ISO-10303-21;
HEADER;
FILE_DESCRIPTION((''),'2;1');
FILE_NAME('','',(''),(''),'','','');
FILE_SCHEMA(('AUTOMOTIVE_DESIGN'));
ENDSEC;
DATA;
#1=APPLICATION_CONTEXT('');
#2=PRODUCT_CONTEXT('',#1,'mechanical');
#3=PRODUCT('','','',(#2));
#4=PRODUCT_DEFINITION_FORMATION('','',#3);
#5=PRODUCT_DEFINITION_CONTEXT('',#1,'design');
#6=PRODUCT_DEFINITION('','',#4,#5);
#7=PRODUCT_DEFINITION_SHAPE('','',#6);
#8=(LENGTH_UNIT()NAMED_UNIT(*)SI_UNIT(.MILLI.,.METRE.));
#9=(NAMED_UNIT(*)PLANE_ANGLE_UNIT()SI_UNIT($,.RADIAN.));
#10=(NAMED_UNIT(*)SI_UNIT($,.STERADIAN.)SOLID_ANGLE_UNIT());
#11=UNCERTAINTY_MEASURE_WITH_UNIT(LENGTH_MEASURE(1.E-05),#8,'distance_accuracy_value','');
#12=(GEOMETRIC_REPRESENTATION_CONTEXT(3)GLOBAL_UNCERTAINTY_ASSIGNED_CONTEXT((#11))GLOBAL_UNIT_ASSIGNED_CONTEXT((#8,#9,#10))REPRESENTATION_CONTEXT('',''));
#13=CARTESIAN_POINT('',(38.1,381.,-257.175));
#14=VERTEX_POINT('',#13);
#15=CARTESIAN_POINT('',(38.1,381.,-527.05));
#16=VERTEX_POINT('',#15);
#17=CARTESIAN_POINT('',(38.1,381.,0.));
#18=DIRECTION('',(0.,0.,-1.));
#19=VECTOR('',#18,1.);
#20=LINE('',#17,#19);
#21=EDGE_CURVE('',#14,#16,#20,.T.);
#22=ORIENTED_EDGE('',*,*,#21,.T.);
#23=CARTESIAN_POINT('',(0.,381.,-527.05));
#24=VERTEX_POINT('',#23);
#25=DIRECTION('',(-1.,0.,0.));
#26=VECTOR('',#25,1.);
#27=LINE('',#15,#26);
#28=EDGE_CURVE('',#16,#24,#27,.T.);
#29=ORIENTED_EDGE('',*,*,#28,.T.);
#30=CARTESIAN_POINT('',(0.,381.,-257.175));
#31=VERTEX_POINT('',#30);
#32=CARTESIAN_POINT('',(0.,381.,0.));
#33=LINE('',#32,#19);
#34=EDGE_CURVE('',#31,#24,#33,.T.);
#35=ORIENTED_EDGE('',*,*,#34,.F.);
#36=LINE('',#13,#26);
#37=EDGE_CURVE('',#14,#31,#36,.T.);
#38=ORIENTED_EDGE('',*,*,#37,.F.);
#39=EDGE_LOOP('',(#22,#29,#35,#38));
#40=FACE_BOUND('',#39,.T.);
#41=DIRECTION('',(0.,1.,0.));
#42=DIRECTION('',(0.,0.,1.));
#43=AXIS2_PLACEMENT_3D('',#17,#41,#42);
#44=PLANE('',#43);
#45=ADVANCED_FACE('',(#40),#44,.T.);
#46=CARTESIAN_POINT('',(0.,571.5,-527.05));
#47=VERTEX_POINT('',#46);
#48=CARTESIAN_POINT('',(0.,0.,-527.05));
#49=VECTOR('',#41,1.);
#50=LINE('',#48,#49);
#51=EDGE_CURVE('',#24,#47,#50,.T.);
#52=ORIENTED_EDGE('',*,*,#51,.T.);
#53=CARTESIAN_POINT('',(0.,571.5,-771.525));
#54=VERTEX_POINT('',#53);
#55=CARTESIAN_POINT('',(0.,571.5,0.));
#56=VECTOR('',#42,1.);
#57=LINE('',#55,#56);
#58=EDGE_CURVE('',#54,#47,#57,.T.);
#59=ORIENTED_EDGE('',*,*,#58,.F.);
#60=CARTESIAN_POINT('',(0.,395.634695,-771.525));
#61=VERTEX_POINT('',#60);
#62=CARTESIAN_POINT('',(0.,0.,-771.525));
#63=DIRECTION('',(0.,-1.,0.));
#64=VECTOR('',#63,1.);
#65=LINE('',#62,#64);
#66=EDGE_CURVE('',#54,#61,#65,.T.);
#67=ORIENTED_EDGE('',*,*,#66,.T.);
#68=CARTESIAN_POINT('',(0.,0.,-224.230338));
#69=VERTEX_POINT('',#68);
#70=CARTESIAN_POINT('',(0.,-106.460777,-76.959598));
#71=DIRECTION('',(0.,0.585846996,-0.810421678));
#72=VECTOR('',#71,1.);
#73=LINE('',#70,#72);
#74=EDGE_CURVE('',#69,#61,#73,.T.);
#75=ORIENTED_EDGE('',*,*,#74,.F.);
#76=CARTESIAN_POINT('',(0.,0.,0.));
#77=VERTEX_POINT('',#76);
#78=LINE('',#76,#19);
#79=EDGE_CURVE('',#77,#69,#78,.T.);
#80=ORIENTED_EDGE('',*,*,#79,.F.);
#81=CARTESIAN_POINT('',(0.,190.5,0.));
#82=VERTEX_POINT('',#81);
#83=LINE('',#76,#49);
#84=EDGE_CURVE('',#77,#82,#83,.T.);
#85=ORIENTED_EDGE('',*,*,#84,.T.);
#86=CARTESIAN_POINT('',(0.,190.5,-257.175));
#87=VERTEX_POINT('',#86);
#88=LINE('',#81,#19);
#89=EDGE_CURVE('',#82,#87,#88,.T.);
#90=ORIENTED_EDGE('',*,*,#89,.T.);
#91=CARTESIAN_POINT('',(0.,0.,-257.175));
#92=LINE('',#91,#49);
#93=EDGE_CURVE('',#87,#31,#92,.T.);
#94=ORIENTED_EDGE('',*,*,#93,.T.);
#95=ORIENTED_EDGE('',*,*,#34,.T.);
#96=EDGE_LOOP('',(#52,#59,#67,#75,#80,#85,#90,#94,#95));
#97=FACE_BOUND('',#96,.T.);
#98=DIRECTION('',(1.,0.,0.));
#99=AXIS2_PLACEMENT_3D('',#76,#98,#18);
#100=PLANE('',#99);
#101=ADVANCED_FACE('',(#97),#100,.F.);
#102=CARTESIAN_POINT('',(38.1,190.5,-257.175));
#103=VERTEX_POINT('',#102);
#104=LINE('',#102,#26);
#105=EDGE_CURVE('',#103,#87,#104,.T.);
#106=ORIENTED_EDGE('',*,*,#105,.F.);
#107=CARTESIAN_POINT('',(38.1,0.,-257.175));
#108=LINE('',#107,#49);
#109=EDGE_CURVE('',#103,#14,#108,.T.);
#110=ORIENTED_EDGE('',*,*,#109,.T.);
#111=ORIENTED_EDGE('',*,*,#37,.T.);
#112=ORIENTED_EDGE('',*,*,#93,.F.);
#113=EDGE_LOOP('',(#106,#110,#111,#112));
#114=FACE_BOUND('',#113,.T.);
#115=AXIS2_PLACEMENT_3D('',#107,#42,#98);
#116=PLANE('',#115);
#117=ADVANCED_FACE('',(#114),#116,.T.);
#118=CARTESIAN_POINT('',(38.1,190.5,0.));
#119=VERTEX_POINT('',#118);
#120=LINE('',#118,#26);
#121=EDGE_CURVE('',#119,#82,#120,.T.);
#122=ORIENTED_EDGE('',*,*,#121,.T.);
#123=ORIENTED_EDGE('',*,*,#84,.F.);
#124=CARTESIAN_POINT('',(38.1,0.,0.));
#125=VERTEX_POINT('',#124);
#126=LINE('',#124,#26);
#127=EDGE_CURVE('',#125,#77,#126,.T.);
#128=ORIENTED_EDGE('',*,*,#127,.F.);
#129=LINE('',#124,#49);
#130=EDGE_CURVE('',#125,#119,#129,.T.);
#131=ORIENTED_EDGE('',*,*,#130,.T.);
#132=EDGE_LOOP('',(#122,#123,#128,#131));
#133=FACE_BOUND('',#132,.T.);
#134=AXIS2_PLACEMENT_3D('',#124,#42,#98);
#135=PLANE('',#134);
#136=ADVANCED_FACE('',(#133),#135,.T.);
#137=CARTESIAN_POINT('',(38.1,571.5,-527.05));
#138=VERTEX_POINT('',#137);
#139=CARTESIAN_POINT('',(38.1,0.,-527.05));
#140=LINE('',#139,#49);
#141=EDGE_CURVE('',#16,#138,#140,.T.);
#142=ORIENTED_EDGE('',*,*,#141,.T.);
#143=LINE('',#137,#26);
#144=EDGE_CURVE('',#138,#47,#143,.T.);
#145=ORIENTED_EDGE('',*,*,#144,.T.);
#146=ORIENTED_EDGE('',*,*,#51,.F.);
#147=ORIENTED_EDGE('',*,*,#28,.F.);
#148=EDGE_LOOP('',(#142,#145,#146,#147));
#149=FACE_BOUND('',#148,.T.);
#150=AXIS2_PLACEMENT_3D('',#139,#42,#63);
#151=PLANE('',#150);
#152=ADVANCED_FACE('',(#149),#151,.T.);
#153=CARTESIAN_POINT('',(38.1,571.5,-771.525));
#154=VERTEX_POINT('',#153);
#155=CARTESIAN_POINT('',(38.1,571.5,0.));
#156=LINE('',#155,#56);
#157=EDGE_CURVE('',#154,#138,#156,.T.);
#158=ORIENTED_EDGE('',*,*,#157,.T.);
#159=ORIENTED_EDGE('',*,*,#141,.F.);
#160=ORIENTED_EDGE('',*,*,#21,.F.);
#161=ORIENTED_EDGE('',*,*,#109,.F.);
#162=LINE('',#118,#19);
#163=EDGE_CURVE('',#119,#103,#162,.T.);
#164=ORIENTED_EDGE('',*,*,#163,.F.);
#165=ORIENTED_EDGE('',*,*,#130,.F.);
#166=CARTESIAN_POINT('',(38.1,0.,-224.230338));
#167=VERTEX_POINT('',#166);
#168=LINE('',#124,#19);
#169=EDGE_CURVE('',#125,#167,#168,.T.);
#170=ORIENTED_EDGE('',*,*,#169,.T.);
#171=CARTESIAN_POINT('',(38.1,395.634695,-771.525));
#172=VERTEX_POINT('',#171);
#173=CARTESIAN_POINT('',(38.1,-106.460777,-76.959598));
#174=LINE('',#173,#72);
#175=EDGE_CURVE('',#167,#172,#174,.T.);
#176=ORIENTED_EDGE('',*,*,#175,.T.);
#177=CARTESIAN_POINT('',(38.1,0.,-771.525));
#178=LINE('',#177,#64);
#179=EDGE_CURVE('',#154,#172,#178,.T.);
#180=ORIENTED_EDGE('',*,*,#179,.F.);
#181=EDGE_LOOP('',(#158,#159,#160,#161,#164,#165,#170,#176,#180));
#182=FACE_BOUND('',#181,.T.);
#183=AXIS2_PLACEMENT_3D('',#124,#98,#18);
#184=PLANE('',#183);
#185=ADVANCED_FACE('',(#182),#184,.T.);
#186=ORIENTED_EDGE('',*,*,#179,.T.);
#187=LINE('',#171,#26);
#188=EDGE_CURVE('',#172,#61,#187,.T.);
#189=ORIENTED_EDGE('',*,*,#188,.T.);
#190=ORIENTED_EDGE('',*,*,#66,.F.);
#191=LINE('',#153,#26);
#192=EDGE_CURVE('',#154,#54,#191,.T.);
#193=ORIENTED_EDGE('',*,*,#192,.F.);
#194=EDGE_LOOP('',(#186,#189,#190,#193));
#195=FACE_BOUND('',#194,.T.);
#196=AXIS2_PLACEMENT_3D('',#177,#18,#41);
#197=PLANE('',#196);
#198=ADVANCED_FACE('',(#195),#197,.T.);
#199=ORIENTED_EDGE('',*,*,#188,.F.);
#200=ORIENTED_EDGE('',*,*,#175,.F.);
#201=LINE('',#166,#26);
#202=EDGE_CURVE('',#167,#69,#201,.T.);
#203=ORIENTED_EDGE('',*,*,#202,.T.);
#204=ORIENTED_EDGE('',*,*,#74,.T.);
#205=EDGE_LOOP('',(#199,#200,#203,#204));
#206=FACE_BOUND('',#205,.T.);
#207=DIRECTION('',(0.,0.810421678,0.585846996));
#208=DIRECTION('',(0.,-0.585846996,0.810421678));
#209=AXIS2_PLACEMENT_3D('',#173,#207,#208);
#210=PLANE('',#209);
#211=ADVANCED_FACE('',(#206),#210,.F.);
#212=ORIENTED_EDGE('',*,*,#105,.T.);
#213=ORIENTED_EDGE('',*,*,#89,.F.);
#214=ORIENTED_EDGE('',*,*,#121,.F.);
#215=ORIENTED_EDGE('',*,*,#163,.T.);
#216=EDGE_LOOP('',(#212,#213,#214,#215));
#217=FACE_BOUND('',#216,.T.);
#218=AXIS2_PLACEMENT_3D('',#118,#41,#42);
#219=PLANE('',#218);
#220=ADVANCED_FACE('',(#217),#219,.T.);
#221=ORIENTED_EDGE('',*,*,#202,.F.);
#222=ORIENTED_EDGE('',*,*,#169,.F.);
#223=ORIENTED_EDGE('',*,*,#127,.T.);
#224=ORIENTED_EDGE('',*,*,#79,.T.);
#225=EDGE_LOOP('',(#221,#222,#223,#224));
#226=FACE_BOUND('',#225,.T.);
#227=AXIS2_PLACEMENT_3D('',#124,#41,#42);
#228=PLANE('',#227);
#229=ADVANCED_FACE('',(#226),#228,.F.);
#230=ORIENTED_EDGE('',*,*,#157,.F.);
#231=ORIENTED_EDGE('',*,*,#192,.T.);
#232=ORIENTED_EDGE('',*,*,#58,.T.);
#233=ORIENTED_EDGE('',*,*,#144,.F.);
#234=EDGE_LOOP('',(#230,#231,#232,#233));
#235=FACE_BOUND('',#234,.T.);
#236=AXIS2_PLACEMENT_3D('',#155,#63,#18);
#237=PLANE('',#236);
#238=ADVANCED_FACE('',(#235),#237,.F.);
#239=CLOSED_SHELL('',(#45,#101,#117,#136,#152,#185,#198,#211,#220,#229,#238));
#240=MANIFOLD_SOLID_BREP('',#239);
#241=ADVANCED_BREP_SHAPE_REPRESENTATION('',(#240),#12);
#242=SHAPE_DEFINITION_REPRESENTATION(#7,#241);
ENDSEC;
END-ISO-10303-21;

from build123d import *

# Parameters (mm, degrees)
BOSS_EXTRUDE2_DEPTH = 38.1


with BuildPart() as part:
    # Sketch1 → Boss-Extrude2 (new body)
    with BuildSketch(Plane(origin=(0, 0, 0), x_dir=(0, 0, -1), z_dir=(1, 0, 0))):
        Polygon((0, 0), (0, 190.5), (257.175, 190.5), (257.175, 381), (527.05, 381), (527.05, 571.5), (771.525, 571.5), (771.525, 395.634695119), (224.230338419, 0), align=None)
    extrude(amount=BOSS_EXTRUDE2_DEPTH)


solid = part.part
